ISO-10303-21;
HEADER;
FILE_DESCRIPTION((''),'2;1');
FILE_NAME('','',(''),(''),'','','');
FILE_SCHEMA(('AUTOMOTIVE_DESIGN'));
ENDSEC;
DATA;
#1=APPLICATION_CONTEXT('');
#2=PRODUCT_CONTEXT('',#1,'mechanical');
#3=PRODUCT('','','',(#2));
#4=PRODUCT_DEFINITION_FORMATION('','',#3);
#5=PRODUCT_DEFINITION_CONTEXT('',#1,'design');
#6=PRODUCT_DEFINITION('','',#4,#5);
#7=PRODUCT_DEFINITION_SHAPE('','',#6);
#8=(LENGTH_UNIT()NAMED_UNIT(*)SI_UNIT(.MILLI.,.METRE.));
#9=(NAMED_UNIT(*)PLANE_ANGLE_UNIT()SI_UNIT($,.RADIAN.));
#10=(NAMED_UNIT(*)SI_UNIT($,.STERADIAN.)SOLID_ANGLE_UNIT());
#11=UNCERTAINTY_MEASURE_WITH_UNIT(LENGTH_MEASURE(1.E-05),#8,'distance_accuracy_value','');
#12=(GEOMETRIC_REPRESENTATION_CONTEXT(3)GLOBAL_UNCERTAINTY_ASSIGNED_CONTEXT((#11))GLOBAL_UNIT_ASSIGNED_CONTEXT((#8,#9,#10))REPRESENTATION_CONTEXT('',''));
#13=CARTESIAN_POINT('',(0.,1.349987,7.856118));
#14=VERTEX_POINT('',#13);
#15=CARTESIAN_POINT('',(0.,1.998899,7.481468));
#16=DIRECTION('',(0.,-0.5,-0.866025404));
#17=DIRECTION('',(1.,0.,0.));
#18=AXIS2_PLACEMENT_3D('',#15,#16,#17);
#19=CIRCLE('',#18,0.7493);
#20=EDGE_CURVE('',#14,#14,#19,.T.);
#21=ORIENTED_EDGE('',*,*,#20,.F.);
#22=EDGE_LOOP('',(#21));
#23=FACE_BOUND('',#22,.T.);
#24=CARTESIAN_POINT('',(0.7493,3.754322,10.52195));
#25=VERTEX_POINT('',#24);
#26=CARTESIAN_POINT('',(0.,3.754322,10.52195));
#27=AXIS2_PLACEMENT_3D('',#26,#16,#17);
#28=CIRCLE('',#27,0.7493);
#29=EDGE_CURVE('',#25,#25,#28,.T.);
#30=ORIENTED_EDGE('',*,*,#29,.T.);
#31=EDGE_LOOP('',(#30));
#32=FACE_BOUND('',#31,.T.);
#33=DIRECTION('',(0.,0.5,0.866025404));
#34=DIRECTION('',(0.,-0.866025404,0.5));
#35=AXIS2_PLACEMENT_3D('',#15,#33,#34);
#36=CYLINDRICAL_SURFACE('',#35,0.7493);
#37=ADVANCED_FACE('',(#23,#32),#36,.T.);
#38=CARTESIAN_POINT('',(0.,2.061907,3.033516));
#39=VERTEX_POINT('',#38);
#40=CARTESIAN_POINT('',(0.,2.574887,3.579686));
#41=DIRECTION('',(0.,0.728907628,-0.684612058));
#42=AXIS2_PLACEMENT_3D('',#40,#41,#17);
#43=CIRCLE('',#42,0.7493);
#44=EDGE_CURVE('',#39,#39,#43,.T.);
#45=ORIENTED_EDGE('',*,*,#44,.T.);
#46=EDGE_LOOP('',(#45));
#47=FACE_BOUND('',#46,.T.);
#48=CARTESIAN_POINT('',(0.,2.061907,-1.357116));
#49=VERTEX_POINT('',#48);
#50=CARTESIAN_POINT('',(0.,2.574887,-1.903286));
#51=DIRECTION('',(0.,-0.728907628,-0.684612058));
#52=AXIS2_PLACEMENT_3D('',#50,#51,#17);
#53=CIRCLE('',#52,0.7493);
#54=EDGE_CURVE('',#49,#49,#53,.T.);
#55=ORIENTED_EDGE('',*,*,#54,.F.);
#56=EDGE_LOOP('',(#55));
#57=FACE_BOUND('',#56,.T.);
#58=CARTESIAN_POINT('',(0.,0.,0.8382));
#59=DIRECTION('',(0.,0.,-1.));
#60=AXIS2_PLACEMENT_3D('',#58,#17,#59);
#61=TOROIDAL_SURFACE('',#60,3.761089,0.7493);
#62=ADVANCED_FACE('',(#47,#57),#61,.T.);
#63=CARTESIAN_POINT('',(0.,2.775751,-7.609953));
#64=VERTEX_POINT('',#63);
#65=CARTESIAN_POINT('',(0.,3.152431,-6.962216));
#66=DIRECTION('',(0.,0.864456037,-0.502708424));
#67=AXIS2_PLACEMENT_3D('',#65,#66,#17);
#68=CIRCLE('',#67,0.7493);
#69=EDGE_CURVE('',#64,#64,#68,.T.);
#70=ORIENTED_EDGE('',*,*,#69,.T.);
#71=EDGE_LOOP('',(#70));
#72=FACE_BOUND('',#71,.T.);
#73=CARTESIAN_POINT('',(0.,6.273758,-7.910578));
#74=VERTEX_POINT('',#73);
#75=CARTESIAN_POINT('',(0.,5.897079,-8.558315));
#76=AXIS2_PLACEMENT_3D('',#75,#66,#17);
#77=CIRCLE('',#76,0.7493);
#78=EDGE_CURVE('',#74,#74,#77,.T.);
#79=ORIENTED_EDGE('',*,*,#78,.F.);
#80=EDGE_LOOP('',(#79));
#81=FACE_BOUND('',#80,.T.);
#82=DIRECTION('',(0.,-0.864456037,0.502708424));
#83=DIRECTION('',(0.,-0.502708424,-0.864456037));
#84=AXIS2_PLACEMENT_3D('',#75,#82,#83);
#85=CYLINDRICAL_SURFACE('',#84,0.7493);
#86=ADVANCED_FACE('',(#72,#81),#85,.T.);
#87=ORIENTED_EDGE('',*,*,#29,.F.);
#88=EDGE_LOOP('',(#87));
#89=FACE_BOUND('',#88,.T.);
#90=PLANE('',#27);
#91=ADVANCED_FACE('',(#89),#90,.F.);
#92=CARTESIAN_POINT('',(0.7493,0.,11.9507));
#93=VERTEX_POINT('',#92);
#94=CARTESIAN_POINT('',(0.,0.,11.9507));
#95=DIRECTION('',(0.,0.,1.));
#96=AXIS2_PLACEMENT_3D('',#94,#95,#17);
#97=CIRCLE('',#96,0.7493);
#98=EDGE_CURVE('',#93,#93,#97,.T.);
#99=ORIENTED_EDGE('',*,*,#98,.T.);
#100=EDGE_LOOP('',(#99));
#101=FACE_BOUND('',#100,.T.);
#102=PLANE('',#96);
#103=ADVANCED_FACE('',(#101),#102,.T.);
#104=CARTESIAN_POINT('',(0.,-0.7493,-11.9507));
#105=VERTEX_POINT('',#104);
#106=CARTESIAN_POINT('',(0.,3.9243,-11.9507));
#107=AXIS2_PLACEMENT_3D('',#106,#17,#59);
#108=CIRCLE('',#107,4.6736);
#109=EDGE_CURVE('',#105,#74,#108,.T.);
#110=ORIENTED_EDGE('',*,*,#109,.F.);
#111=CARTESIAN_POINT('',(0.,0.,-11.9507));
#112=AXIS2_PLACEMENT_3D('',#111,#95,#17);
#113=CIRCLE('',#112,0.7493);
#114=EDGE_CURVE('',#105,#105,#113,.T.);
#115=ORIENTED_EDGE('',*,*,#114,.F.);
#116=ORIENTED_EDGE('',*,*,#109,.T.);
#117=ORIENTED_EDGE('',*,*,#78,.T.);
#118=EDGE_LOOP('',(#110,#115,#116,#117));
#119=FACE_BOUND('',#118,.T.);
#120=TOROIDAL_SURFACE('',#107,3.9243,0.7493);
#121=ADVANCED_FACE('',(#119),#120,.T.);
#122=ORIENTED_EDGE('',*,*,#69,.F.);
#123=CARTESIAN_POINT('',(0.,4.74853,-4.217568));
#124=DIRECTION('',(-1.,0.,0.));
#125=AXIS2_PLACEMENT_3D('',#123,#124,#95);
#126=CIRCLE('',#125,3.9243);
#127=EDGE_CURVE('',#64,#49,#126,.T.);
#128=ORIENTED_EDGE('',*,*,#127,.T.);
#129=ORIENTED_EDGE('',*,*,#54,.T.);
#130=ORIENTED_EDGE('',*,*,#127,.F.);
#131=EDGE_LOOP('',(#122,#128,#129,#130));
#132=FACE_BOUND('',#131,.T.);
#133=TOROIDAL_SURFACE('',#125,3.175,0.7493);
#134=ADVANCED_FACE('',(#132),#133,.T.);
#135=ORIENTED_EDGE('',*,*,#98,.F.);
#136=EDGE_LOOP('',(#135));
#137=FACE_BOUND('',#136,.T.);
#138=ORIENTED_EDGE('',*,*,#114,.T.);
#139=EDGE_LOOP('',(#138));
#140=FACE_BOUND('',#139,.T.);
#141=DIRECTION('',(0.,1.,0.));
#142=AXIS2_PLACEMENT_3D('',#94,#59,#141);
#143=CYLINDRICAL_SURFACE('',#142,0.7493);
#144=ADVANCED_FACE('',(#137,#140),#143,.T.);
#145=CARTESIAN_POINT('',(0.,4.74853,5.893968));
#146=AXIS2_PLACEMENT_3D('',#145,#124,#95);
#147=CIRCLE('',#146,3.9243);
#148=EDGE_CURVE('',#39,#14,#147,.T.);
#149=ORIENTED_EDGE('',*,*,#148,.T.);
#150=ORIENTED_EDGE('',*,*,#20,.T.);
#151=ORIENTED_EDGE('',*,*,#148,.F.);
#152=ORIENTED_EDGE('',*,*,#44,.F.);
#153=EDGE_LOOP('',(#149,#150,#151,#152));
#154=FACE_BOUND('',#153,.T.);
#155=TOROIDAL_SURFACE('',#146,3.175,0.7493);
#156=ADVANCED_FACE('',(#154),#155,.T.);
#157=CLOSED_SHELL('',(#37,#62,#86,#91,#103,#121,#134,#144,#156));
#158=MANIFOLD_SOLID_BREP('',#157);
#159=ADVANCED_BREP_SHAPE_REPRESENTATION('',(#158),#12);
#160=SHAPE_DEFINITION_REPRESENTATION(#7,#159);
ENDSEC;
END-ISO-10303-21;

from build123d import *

# Parameters (mm, degrees)
SKETCH2_R = 0.7493


with BuildPart() as part:
    # Sweep1: sweep along a path in Sketch3
    with BuildLine(Plane(origin=(0, 0, 0), x_dir=(0, 0, -1), z_dir=(1, 0, 0))) as sweep1_path:
        Line((-10.52195, 3.754322439), (-7.481468009, 1.998899343))
        ThreePointArc((-7.481468009, 1.998899343), (-5.43029433, 1.607569682), (-3.579686289, 2.574886717))
        ThreePointArc((-3.579686289, 2.574886717), (-0.8382, 3.761088762), (1.903286289, 2.574886717))
        ThreePointArc((1.903286289, 2.574886717), (4.577697214, 1.594020219), (6.962215926, 3.152430752))
        Line((6.962215926, 3.152430752), (8.558315174, 5.89707867))
        ThreePointArc((8.558315174, 5.89707867), (15.352310341, 5.881128449), (11.9507, 0))
        Line((11.9507, 0), (-11.9507, 0))
    # Sketch2 → Sweep1 (sweep)
    with BuildSketch(Plane.XY.offset(11.9507)):
        Circle(SKETCH2_R)
    sweep(path=sweep1_path.line)


solid = part.part
